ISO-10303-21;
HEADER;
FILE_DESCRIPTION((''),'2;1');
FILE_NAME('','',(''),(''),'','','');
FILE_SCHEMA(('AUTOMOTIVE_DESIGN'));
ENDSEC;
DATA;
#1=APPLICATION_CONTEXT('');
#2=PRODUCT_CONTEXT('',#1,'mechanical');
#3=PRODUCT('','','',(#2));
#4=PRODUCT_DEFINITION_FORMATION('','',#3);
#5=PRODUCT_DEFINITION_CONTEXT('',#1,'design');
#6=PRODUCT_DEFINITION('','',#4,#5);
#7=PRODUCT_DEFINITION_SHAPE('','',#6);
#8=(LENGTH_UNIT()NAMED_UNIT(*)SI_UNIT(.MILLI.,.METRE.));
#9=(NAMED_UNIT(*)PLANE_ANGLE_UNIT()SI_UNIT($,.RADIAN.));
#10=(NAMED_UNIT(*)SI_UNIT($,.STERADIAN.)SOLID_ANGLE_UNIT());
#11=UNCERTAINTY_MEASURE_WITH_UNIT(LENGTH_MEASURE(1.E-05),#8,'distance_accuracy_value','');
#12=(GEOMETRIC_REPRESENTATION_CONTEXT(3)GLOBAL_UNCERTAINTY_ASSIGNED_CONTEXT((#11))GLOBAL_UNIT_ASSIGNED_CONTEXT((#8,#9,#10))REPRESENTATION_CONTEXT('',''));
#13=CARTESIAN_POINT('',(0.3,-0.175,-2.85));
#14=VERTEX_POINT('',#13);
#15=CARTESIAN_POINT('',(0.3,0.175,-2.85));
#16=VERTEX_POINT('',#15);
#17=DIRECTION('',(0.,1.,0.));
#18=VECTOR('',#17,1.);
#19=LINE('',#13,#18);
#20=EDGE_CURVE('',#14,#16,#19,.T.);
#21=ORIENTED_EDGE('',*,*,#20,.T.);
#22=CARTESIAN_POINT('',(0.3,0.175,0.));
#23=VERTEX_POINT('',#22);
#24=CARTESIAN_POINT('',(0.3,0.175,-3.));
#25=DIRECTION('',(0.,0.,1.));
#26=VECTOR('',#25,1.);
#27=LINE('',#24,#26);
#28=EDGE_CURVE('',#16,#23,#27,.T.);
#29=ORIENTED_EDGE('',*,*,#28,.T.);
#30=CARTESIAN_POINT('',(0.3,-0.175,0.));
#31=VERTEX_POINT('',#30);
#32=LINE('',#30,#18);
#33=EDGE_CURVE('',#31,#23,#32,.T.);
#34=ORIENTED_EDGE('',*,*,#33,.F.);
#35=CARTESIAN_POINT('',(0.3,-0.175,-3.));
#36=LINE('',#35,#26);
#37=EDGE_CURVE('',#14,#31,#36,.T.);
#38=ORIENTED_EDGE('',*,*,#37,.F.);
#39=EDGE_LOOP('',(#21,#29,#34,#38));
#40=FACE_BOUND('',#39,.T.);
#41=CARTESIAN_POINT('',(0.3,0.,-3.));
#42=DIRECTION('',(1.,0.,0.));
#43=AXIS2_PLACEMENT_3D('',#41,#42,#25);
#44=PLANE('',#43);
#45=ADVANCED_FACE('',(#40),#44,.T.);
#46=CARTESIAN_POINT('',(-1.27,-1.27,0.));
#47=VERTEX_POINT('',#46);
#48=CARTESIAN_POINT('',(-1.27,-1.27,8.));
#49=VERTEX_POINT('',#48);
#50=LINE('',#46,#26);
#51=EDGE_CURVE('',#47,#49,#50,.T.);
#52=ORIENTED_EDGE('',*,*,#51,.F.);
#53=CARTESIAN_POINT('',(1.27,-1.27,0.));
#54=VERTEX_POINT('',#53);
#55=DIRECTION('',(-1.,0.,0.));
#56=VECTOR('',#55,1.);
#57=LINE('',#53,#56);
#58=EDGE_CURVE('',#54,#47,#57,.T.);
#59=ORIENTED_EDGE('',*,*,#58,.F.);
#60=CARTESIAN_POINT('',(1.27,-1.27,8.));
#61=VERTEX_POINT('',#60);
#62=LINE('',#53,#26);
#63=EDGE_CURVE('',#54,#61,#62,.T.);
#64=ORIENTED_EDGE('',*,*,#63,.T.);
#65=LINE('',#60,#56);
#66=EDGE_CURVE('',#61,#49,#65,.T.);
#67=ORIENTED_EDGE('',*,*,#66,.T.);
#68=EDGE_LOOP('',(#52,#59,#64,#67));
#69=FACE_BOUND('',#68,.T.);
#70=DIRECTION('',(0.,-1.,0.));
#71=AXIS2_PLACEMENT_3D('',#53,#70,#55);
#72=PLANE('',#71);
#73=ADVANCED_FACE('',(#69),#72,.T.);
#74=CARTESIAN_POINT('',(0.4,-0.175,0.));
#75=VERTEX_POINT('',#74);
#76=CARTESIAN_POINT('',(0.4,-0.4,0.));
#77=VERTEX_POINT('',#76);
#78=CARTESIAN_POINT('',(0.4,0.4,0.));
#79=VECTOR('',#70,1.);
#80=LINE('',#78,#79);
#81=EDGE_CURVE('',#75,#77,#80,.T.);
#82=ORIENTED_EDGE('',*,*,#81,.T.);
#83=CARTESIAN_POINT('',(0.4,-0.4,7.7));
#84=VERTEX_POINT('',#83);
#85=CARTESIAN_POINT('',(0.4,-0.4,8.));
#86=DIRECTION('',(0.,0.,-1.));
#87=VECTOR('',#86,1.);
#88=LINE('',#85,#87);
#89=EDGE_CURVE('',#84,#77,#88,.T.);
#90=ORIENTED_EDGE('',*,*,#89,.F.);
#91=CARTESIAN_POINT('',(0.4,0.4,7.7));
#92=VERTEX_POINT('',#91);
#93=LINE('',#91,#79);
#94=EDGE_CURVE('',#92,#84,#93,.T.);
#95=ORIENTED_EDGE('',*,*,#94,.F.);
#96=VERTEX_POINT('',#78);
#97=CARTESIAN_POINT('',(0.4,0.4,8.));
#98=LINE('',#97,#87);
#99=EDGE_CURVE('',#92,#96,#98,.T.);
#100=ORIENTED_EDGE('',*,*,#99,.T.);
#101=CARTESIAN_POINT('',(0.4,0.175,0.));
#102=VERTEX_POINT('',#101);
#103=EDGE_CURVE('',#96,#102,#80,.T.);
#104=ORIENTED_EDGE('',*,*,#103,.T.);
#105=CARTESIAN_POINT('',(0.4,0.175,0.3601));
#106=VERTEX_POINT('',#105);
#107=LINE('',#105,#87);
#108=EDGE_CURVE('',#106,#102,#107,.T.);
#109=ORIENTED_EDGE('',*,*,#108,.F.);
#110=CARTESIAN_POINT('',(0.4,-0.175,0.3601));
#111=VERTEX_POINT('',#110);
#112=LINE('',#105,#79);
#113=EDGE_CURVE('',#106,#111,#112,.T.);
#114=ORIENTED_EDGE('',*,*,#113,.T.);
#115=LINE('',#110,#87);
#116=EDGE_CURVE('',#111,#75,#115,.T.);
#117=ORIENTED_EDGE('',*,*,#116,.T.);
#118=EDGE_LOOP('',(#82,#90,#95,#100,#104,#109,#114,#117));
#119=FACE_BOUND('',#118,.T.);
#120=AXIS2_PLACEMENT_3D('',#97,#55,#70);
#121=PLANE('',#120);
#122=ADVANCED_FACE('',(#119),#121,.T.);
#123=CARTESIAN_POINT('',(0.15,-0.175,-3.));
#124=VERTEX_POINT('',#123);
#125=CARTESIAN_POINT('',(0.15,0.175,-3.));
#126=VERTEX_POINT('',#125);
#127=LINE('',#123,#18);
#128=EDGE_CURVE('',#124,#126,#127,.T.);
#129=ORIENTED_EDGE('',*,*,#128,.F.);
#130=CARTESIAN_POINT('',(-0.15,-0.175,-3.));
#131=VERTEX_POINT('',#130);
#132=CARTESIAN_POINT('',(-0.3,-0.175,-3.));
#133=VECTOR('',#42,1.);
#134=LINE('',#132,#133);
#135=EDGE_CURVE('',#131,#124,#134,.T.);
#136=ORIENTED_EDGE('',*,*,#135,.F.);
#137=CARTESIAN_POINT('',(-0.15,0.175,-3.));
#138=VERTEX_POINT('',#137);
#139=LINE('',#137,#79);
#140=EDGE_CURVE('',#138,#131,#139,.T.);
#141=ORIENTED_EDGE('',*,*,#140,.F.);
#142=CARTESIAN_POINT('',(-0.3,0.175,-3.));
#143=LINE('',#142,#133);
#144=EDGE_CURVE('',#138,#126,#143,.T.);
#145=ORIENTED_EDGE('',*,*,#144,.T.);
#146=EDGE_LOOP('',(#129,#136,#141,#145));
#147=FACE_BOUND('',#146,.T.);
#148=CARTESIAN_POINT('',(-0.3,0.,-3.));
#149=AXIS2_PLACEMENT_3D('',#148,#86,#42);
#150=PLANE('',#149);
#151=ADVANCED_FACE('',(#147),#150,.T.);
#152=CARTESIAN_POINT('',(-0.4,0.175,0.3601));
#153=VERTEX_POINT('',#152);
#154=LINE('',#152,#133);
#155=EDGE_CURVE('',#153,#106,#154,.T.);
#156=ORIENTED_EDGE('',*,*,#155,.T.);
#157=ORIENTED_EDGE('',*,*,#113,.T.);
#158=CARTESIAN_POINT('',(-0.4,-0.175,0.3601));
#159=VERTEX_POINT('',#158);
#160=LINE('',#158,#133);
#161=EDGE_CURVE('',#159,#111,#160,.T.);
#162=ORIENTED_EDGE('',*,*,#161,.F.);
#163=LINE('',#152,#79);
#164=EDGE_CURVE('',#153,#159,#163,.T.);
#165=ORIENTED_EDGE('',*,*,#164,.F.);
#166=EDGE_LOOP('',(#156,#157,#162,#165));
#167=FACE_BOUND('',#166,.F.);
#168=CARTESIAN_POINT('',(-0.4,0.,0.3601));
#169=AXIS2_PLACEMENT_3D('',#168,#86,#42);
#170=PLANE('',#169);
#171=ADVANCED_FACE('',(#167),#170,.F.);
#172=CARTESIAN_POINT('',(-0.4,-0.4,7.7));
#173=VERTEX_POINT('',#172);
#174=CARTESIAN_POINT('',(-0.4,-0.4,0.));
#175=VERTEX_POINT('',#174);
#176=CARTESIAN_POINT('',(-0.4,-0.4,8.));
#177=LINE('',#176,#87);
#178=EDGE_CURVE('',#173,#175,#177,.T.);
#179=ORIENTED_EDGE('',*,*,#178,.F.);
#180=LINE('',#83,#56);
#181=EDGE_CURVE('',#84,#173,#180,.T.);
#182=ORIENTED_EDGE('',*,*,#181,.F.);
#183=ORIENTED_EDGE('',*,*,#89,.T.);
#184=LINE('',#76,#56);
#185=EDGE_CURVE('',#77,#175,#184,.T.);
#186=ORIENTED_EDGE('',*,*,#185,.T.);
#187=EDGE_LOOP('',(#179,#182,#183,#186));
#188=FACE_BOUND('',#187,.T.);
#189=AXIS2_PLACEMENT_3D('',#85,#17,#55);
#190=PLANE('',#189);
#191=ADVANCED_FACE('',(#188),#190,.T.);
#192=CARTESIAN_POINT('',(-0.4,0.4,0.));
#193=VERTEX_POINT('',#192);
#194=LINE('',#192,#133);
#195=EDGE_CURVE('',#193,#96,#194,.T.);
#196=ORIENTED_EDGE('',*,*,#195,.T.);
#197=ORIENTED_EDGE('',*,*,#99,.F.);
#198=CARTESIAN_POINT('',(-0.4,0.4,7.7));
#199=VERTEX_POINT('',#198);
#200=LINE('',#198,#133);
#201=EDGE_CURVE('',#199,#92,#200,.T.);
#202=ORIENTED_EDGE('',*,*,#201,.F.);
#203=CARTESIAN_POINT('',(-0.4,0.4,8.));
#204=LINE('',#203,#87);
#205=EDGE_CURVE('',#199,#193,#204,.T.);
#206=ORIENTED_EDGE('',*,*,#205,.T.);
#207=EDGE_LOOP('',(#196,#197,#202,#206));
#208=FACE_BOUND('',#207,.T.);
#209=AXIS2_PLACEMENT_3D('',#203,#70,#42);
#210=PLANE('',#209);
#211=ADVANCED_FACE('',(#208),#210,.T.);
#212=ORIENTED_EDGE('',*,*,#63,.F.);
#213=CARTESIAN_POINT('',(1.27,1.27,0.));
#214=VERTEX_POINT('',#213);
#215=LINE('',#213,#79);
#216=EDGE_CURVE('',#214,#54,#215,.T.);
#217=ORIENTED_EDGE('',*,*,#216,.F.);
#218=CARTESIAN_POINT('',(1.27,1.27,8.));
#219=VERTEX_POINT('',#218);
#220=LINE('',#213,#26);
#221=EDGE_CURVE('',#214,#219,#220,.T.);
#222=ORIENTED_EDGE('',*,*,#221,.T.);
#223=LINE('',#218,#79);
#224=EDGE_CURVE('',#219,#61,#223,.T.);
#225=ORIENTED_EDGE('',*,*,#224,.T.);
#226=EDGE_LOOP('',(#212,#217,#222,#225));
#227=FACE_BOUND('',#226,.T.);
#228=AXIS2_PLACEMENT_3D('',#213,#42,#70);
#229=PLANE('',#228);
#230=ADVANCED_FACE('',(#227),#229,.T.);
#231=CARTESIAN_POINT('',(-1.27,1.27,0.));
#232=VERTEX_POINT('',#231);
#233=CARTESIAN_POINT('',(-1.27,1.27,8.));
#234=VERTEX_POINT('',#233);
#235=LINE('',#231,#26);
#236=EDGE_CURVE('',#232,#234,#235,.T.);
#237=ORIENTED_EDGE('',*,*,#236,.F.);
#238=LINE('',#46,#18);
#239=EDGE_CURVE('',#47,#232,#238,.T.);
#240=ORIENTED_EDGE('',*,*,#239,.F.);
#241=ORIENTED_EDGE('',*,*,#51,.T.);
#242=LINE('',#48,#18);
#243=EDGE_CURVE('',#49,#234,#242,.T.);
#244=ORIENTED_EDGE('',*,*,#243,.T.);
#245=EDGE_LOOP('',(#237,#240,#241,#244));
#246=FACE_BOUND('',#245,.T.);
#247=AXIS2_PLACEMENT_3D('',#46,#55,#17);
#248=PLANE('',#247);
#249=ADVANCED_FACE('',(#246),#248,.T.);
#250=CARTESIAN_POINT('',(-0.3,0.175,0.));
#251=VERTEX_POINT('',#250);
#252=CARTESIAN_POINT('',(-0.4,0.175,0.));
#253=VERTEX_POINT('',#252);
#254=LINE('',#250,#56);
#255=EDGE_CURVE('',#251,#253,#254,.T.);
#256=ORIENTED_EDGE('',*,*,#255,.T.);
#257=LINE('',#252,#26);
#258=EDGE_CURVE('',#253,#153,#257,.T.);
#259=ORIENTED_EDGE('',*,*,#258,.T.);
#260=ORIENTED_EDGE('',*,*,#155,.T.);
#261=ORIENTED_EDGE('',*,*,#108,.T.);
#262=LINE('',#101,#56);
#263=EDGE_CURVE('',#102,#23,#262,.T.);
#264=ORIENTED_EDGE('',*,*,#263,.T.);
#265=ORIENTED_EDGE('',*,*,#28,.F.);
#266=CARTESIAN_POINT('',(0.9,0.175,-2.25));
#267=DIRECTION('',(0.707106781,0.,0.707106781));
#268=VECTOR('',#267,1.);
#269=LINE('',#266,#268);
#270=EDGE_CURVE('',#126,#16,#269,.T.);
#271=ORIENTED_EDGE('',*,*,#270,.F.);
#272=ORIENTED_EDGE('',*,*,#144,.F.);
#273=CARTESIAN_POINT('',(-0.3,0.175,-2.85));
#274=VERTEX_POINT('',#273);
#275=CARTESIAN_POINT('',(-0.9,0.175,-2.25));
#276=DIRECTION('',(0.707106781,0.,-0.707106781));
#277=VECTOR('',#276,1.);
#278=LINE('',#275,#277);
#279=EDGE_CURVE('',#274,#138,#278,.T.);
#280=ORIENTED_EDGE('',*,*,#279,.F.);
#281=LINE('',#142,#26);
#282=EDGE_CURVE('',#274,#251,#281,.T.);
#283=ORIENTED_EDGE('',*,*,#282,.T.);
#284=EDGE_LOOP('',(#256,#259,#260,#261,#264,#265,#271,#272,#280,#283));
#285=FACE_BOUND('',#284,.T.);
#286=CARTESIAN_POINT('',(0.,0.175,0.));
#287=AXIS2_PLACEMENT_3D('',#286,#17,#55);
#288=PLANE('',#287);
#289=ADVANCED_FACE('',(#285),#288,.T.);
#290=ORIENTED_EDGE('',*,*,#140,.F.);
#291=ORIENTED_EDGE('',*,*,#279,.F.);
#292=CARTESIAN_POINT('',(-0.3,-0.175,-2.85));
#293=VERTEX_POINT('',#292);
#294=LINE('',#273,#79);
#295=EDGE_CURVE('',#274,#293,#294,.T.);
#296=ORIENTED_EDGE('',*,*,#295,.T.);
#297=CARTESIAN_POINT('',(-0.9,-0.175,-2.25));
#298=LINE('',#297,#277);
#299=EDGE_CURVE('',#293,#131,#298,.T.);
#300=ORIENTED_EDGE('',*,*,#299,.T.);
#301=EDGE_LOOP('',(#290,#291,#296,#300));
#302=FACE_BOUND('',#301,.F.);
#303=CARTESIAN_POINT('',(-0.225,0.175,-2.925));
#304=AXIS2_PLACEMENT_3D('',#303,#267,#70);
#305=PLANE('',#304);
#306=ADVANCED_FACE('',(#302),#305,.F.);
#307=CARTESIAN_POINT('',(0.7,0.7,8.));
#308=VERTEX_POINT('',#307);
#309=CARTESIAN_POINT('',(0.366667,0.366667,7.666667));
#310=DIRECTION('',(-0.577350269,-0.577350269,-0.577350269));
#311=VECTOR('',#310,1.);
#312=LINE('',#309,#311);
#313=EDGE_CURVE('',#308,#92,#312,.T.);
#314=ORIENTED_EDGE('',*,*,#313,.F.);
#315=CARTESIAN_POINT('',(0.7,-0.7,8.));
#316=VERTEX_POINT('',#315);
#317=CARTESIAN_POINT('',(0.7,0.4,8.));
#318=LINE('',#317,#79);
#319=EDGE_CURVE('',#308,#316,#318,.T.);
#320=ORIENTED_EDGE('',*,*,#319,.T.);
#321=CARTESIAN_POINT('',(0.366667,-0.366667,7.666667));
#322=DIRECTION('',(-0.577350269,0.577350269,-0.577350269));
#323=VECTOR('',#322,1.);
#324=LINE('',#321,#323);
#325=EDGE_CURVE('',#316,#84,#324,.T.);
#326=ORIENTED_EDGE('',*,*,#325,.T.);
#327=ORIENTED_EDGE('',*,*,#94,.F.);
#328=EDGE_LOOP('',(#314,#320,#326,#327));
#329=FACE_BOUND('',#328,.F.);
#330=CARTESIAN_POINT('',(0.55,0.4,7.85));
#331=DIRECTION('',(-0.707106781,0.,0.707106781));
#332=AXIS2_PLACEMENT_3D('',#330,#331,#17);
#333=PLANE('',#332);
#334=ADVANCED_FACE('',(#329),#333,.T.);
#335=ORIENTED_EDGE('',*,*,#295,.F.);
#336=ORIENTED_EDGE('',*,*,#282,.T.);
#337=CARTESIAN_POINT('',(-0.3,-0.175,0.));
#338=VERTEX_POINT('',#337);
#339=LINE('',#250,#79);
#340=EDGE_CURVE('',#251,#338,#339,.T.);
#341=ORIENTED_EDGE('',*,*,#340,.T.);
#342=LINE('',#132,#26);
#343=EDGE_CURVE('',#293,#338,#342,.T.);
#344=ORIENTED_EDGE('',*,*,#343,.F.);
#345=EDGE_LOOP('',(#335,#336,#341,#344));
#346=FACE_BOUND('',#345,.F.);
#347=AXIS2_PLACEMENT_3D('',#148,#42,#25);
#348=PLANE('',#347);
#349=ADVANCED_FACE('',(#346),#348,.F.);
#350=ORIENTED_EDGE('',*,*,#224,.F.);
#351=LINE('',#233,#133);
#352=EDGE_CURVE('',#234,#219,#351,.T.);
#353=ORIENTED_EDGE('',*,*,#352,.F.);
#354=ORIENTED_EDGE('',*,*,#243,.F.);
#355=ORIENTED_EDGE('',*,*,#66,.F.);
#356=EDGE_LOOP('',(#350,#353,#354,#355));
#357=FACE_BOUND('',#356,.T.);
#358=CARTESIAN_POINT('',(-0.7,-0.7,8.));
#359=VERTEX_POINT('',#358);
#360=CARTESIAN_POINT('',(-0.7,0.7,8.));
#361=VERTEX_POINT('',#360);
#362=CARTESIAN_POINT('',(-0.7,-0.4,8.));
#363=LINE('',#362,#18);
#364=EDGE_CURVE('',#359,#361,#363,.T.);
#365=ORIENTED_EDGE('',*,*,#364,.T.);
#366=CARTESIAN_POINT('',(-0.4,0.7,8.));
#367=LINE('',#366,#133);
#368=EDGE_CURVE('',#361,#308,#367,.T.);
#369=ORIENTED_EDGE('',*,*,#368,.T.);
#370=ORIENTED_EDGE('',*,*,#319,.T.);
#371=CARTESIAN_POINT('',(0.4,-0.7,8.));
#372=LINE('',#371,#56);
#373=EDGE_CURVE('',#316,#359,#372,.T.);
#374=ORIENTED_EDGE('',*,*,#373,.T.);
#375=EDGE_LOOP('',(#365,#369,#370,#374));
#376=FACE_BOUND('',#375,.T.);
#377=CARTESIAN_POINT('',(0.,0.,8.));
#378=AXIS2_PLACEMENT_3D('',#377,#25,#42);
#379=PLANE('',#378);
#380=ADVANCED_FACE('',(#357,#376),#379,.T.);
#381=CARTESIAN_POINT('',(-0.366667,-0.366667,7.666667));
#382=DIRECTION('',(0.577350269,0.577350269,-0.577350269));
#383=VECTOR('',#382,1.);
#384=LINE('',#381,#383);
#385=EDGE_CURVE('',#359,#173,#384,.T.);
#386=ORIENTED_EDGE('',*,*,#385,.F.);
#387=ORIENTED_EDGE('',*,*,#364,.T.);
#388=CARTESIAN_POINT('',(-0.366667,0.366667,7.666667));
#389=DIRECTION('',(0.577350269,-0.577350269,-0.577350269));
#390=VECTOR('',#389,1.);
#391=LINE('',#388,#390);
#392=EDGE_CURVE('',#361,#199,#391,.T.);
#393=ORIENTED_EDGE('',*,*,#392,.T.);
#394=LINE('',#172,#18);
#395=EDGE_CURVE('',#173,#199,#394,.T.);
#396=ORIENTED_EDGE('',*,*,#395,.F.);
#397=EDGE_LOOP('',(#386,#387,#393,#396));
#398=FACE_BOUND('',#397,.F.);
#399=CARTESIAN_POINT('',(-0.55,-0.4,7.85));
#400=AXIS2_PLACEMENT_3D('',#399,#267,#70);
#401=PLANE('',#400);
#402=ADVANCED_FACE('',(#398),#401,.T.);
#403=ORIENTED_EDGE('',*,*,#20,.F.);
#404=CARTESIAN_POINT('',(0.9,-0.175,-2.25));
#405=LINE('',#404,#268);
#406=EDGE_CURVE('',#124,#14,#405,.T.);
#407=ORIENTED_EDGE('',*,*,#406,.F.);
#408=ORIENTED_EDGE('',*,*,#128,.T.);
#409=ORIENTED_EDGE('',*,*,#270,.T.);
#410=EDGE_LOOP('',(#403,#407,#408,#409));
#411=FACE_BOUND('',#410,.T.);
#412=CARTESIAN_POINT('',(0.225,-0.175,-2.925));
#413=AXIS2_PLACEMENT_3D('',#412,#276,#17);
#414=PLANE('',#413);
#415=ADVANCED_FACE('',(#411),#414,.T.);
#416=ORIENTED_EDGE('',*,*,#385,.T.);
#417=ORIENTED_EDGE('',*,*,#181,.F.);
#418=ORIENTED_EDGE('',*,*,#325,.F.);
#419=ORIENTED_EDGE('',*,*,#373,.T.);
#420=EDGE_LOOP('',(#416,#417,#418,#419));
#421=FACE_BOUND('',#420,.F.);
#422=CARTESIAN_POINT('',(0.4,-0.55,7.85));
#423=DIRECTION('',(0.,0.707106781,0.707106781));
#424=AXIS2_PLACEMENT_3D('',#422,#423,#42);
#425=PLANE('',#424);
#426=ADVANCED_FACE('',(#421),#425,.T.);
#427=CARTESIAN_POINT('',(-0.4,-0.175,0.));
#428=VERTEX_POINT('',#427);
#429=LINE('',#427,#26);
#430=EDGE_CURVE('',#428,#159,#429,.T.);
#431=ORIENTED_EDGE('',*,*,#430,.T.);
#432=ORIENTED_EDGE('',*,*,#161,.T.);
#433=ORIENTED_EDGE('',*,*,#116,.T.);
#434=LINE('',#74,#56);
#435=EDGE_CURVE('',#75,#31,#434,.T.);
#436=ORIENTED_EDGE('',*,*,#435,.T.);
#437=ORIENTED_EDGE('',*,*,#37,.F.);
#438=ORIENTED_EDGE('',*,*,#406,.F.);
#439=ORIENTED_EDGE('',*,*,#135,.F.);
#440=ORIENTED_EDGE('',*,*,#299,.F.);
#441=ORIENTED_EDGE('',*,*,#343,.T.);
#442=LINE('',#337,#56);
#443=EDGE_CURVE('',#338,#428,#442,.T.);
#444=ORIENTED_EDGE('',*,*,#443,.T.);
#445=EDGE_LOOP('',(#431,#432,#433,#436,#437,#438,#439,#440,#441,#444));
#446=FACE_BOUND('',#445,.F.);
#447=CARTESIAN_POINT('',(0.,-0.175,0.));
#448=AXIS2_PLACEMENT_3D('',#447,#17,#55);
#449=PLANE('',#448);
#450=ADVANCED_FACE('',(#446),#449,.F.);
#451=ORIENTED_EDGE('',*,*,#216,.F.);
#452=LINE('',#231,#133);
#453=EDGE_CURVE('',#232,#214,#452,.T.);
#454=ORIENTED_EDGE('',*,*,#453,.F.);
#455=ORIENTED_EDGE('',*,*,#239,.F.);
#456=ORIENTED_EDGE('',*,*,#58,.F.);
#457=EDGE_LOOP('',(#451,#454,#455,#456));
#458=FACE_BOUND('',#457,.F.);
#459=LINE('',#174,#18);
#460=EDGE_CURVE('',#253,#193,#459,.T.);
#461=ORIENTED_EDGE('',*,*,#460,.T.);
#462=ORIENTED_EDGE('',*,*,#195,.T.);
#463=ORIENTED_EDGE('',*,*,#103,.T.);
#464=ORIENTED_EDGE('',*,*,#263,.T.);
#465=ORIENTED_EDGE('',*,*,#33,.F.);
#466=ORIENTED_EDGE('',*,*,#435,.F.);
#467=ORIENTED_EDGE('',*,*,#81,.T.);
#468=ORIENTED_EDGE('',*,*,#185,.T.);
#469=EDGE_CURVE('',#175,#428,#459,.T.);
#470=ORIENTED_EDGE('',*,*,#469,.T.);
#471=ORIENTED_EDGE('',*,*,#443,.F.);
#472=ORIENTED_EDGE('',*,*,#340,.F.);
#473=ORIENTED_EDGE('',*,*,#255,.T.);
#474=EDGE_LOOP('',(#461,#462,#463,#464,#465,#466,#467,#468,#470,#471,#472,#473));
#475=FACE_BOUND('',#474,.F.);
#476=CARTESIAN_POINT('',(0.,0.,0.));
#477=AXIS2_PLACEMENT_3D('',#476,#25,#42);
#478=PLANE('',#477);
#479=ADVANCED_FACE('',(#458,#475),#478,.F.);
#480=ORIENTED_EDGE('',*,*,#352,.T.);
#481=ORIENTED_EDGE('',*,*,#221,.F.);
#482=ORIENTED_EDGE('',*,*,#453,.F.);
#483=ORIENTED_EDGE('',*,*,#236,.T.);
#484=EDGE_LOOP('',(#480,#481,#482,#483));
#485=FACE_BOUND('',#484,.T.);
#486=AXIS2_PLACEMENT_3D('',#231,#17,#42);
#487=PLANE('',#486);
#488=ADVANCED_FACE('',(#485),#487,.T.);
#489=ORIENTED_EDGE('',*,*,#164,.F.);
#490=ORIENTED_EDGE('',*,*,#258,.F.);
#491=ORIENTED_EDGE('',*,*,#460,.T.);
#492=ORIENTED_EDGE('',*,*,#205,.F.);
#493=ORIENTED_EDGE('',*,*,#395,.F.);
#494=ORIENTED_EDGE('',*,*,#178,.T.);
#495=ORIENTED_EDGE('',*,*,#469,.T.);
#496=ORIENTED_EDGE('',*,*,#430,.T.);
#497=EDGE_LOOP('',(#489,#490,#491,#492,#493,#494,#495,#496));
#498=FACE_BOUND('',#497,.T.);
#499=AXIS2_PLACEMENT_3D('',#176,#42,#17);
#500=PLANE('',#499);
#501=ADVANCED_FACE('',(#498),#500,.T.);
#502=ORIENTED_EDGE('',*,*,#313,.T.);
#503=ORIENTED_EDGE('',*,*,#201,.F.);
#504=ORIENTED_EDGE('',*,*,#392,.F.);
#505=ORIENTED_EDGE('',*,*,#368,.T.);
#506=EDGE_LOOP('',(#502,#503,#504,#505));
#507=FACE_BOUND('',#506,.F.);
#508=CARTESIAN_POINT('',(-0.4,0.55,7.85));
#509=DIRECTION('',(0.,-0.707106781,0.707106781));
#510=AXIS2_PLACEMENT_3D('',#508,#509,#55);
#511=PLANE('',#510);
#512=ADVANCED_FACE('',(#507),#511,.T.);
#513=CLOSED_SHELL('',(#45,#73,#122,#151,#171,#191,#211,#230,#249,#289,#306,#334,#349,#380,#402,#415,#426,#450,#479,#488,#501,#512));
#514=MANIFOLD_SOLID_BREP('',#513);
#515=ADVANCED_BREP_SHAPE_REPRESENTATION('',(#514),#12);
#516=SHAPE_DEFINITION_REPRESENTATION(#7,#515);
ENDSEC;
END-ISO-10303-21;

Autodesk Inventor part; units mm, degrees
ref_plane "YZ Plane" through (0, 0, 0) normal (1, 0, 0) x (0, 1, 0)
ref_plane "XZ Plane" through (0, 0, 0) normal (0, 1, 0) x (-1, 0, 0)
ref_plane "XY Plane" through (0, 0, 0) normal (0, 0, 1) x (1, 0, 0)
sketch "Boceto39" plane through (0, 0, 0) normal (0, 0, 1) x (1, 0, 0)
  line L0 (-1.27, 1.27) -> (1.27, 1.27)
  line L1 (1.27, 1.27) -> (1.27, -1.27)
  line L2 (1.27, -1.27) -> (-1.27, -1.27)
  line L3 (-1.27, -1.27) -> (-1.27, 1.27)
  point P0 (0, 0)
  point P1 (0, 1.27)
  point P2 (-1.27, 0)
  dimension "d373" = 2.54
extrude "Extrusión13" add sketch "Boceto39" along normal blind 8
sketch "Boceto40" plane through (0, 0, 8) normal (0, 0, 1) x (1, 0, 0)
  line L0 (-0.4, 0.4) -> (0.4, 0.4)
  line L1 (0.4, 0.4) -> (0.4, -0.4)
  line L2 (0.4, -0.4) -> (-0.4, -0.4)
  line L3 (-0.4, -0.4) -> (-0.4, 0.4)
  point P0 (0, 0)
  point P1 (0, 0.4)
  point P2 (-0.4, 0)
  dimension "d376" = 0.8
extrude "Extrusión14" cut sketch "Boceto40" against normal blind 8
chamfer "Chaflán5" distance 0.3 angle 45 4 edges at (0, 0.4, 8) (0.4, 0, 8) (0, -0.4, 8) (-0.4, 0, 8)
sketch "Boceto42" plane through (0, 0, 0) normal (0, 1, 0) x (-1, 0, 0)
  line L0 (-0.4, 7.7) -> (-0.4, 0) construction
  line L1 (0.4, 7.7) -> (0.4, 0) construction
  line L2 (-0.4, 0) -> (-0.3, 0)
  line L3 (-1.27, 0) -> (1.27, 0) construction
  line L4 (-0.3, -3) -> (-0.3, 0)
  line L5 (0.3, -3) -> (-0.3, -3)
  line L6 (0.3, -3) -> (0.3, 0)
  line L7 (0.3, 0) -> (0.4, 0)
  line L8 (0.4, 0) -> (0.4, 0.3601)
  line L9 (0.4, 0.3601) -> (-0.4, 0.3601)
  line L10 (-0.4, 0.3601) -> (-0.4, 0)
  point P0 (0, 0)
  point P1 (0, -3)
  point P2 (0, 0)
  dimension "d386" = 0.6
  dimension "d387" = 3
extrude "Extrusión16" add sketch "Boceto42" along normal mid plane 0.35
chamfer "Chaflán6" distance 0.15 angle 45 2 edges at (0.3, 0, -3) (-0.3, 0, -3)
properties part number "CON-HEM"
